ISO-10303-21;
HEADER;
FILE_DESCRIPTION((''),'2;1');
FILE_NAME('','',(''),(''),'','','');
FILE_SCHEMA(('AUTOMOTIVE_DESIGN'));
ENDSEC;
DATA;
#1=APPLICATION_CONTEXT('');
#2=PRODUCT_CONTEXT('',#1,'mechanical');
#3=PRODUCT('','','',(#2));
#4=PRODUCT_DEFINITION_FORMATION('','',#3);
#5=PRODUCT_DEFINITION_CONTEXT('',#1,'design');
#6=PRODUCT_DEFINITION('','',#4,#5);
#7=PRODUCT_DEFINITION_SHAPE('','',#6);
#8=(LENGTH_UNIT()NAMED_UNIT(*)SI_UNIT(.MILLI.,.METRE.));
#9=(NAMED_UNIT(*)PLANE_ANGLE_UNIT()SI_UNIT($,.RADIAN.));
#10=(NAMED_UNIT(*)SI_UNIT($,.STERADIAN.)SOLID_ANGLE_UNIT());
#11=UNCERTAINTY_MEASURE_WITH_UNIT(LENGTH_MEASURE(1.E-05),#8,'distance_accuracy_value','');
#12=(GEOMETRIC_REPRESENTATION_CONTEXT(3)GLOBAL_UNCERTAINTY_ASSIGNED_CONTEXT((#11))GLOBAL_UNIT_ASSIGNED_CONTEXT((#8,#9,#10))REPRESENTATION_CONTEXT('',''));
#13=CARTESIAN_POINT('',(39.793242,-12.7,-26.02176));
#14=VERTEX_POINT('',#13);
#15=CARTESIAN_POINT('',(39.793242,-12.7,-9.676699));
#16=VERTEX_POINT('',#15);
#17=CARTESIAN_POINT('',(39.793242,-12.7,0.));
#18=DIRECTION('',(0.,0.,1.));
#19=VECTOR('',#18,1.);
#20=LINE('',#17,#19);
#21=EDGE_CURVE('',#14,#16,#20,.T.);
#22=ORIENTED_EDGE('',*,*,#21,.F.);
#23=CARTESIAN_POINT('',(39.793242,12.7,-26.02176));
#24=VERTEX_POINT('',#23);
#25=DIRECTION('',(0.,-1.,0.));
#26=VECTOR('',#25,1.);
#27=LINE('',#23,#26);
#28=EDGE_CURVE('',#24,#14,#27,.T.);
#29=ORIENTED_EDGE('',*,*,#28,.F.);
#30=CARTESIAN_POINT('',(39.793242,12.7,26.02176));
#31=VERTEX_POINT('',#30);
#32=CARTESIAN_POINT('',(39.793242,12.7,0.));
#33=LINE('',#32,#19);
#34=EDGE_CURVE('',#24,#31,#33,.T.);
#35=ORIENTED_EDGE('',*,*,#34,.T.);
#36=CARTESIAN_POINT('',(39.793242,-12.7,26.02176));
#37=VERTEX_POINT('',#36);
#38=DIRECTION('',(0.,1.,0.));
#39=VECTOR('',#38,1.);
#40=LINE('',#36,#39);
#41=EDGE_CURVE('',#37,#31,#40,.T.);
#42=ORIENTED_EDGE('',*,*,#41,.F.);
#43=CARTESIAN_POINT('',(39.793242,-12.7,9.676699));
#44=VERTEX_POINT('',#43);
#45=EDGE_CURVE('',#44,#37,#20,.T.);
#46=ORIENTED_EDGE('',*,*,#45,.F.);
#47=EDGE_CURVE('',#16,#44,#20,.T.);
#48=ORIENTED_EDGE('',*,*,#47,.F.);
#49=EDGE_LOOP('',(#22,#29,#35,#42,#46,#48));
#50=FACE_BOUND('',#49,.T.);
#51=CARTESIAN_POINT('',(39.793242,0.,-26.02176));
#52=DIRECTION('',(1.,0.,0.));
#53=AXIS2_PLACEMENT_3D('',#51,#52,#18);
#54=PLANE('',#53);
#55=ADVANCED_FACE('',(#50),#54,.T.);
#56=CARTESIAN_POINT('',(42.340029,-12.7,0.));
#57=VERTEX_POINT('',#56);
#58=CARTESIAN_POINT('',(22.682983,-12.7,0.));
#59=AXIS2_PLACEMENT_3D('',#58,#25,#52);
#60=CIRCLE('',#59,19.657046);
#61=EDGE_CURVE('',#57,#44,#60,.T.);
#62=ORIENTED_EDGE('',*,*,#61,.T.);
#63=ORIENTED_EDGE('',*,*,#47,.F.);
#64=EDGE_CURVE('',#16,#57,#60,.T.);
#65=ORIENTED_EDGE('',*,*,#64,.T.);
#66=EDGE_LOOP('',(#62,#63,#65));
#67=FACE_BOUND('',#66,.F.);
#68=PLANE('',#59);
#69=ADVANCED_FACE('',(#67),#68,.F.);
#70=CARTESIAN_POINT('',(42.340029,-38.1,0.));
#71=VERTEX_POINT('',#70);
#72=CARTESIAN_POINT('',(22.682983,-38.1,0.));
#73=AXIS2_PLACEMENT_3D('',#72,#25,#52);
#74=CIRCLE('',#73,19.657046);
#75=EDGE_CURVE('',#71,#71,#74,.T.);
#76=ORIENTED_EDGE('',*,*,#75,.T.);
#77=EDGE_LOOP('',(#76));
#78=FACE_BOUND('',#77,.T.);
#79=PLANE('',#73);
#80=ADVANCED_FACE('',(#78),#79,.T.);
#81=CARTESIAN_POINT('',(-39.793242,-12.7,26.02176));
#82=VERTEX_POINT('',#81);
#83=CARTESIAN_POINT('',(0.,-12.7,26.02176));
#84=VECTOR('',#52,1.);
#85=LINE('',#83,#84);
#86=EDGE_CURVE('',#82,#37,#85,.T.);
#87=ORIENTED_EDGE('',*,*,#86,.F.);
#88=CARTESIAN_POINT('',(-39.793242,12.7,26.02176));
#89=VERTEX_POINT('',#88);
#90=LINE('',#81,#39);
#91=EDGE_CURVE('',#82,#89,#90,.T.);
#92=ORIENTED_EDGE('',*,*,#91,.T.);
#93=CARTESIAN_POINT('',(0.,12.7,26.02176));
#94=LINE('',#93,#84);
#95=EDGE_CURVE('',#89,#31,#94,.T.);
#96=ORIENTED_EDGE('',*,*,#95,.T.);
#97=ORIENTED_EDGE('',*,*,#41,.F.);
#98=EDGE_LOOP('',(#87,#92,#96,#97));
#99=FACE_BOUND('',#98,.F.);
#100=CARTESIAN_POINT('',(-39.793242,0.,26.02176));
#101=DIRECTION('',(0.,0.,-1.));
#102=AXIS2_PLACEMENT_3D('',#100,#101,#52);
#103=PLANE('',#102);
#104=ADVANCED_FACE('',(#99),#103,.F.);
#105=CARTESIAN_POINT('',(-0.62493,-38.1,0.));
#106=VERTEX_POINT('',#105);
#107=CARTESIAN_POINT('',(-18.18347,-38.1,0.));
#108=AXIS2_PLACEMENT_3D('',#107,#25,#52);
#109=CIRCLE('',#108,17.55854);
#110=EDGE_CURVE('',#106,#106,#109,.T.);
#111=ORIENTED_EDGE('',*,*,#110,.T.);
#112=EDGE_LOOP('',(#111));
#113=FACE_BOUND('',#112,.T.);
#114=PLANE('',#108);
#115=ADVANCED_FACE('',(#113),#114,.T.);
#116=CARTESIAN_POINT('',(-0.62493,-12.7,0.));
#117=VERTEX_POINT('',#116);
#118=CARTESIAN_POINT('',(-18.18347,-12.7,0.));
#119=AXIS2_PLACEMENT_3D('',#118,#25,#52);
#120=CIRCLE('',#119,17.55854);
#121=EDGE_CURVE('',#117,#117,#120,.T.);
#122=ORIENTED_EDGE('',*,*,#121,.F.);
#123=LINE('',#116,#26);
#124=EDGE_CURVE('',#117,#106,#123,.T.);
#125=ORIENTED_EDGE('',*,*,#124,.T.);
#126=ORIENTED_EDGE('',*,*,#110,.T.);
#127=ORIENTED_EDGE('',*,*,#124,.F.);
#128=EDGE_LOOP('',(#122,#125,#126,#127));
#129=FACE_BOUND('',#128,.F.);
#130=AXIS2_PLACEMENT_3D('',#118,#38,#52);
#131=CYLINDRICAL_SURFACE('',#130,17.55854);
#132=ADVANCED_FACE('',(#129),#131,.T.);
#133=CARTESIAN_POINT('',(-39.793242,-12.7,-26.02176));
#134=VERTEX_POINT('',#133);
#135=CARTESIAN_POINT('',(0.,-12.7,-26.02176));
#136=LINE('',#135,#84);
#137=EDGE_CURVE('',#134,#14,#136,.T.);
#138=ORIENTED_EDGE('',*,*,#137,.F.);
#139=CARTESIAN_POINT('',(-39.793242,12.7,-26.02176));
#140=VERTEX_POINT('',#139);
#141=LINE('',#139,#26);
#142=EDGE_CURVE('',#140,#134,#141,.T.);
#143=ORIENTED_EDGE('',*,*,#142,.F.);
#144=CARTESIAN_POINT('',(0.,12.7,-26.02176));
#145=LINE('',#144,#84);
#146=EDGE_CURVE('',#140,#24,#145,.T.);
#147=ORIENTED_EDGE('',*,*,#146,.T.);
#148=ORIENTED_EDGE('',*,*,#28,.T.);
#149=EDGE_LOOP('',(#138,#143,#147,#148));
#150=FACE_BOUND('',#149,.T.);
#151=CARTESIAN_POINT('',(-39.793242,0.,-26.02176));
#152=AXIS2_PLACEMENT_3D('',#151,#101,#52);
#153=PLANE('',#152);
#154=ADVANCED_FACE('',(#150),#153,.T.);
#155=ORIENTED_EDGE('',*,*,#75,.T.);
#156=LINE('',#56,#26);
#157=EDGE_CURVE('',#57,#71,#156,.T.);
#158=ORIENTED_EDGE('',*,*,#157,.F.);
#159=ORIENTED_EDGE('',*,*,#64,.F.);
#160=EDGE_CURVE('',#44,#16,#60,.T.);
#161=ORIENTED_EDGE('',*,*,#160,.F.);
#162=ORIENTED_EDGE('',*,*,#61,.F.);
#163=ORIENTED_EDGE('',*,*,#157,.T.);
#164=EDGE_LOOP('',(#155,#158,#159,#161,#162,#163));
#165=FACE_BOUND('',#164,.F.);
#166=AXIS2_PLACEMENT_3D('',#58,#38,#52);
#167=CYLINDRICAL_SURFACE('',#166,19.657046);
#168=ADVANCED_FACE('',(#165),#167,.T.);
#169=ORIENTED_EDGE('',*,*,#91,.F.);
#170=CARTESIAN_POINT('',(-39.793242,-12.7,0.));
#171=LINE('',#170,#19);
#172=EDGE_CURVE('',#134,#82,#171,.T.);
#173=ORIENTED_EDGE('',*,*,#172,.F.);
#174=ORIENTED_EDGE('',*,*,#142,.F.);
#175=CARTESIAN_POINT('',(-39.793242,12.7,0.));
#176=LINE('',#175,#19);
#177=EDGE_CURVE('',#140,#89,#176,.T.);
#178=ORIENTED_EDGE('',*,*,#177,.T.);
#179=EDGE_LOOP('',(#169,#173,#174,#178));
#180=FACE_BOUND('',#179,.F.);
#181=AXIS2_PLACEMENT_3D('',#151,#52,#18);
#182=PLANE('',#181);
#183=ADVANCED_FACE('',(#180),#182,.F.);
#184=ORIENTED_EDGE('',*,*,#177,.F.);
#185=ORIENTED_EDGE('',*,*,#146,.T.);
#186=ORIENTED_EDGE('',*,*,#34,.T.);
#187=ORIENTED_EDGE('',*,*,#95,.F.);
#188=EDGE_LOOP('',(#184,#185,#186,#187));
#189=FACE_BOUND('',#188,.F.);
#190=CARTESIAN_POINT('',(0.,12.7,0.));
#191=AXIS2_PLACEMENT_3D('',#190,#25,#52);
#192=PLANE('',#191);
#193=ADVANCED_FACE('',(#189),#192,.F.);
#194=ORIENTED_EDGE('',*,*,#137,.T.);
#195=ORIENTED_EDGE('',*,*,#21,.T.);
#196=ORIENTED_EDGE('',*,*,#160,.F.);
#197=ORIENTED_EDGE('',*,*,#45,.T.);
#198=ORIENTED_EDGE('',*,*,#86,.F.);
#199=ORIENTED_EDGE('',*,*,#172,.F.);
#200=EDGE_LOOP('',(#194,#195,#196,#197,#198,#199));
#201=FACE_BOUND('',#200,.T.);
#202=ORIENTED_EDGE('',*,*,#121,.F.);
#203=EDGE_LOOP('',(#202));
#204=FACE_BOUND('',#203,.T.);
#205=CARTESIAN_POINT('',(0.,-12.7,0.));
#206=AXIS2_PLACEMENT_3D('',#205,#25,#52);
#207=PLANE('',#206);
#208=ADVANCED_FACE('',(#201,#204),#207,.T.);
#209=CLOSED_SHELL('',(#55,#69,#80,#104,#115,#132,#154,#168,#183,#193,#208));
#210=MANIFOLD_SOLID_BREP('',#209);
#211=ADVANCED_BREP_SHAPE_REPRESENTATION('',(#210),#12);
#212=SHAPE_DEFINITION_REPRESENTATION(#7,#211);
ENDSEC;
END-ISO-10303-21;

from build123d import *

# Parameters (mm, degrees)
F0_W     = 79.5864835382
F0_H     = 52.0435199142
F1_DEPTH = 12.7
F2_R     = 19.6570457416
F2_R_2   = 17.5585400789
F3_DEPTH = 25.4


with BuildPart() as f1:
    # F0 (on Front) → F1 (new body, symmetric)
    with BuildSketch(Plane.XZ):
        Rectangle(F0_W, F0_H)
    extrude(amount=F1_DEPTH, both=True)

    # F2 (on face) → F3 (join)
    with BuildSketch(Plane.XZ.offset(12.7)):
        with Locations((22.6829834282, 0)):
            Circle(F2_R)
        with Locations((-18.1834697723, 0)):
            Circle(F2_R_2)
    extrude(amount=F3_DEPTH)


solid = f1.part
